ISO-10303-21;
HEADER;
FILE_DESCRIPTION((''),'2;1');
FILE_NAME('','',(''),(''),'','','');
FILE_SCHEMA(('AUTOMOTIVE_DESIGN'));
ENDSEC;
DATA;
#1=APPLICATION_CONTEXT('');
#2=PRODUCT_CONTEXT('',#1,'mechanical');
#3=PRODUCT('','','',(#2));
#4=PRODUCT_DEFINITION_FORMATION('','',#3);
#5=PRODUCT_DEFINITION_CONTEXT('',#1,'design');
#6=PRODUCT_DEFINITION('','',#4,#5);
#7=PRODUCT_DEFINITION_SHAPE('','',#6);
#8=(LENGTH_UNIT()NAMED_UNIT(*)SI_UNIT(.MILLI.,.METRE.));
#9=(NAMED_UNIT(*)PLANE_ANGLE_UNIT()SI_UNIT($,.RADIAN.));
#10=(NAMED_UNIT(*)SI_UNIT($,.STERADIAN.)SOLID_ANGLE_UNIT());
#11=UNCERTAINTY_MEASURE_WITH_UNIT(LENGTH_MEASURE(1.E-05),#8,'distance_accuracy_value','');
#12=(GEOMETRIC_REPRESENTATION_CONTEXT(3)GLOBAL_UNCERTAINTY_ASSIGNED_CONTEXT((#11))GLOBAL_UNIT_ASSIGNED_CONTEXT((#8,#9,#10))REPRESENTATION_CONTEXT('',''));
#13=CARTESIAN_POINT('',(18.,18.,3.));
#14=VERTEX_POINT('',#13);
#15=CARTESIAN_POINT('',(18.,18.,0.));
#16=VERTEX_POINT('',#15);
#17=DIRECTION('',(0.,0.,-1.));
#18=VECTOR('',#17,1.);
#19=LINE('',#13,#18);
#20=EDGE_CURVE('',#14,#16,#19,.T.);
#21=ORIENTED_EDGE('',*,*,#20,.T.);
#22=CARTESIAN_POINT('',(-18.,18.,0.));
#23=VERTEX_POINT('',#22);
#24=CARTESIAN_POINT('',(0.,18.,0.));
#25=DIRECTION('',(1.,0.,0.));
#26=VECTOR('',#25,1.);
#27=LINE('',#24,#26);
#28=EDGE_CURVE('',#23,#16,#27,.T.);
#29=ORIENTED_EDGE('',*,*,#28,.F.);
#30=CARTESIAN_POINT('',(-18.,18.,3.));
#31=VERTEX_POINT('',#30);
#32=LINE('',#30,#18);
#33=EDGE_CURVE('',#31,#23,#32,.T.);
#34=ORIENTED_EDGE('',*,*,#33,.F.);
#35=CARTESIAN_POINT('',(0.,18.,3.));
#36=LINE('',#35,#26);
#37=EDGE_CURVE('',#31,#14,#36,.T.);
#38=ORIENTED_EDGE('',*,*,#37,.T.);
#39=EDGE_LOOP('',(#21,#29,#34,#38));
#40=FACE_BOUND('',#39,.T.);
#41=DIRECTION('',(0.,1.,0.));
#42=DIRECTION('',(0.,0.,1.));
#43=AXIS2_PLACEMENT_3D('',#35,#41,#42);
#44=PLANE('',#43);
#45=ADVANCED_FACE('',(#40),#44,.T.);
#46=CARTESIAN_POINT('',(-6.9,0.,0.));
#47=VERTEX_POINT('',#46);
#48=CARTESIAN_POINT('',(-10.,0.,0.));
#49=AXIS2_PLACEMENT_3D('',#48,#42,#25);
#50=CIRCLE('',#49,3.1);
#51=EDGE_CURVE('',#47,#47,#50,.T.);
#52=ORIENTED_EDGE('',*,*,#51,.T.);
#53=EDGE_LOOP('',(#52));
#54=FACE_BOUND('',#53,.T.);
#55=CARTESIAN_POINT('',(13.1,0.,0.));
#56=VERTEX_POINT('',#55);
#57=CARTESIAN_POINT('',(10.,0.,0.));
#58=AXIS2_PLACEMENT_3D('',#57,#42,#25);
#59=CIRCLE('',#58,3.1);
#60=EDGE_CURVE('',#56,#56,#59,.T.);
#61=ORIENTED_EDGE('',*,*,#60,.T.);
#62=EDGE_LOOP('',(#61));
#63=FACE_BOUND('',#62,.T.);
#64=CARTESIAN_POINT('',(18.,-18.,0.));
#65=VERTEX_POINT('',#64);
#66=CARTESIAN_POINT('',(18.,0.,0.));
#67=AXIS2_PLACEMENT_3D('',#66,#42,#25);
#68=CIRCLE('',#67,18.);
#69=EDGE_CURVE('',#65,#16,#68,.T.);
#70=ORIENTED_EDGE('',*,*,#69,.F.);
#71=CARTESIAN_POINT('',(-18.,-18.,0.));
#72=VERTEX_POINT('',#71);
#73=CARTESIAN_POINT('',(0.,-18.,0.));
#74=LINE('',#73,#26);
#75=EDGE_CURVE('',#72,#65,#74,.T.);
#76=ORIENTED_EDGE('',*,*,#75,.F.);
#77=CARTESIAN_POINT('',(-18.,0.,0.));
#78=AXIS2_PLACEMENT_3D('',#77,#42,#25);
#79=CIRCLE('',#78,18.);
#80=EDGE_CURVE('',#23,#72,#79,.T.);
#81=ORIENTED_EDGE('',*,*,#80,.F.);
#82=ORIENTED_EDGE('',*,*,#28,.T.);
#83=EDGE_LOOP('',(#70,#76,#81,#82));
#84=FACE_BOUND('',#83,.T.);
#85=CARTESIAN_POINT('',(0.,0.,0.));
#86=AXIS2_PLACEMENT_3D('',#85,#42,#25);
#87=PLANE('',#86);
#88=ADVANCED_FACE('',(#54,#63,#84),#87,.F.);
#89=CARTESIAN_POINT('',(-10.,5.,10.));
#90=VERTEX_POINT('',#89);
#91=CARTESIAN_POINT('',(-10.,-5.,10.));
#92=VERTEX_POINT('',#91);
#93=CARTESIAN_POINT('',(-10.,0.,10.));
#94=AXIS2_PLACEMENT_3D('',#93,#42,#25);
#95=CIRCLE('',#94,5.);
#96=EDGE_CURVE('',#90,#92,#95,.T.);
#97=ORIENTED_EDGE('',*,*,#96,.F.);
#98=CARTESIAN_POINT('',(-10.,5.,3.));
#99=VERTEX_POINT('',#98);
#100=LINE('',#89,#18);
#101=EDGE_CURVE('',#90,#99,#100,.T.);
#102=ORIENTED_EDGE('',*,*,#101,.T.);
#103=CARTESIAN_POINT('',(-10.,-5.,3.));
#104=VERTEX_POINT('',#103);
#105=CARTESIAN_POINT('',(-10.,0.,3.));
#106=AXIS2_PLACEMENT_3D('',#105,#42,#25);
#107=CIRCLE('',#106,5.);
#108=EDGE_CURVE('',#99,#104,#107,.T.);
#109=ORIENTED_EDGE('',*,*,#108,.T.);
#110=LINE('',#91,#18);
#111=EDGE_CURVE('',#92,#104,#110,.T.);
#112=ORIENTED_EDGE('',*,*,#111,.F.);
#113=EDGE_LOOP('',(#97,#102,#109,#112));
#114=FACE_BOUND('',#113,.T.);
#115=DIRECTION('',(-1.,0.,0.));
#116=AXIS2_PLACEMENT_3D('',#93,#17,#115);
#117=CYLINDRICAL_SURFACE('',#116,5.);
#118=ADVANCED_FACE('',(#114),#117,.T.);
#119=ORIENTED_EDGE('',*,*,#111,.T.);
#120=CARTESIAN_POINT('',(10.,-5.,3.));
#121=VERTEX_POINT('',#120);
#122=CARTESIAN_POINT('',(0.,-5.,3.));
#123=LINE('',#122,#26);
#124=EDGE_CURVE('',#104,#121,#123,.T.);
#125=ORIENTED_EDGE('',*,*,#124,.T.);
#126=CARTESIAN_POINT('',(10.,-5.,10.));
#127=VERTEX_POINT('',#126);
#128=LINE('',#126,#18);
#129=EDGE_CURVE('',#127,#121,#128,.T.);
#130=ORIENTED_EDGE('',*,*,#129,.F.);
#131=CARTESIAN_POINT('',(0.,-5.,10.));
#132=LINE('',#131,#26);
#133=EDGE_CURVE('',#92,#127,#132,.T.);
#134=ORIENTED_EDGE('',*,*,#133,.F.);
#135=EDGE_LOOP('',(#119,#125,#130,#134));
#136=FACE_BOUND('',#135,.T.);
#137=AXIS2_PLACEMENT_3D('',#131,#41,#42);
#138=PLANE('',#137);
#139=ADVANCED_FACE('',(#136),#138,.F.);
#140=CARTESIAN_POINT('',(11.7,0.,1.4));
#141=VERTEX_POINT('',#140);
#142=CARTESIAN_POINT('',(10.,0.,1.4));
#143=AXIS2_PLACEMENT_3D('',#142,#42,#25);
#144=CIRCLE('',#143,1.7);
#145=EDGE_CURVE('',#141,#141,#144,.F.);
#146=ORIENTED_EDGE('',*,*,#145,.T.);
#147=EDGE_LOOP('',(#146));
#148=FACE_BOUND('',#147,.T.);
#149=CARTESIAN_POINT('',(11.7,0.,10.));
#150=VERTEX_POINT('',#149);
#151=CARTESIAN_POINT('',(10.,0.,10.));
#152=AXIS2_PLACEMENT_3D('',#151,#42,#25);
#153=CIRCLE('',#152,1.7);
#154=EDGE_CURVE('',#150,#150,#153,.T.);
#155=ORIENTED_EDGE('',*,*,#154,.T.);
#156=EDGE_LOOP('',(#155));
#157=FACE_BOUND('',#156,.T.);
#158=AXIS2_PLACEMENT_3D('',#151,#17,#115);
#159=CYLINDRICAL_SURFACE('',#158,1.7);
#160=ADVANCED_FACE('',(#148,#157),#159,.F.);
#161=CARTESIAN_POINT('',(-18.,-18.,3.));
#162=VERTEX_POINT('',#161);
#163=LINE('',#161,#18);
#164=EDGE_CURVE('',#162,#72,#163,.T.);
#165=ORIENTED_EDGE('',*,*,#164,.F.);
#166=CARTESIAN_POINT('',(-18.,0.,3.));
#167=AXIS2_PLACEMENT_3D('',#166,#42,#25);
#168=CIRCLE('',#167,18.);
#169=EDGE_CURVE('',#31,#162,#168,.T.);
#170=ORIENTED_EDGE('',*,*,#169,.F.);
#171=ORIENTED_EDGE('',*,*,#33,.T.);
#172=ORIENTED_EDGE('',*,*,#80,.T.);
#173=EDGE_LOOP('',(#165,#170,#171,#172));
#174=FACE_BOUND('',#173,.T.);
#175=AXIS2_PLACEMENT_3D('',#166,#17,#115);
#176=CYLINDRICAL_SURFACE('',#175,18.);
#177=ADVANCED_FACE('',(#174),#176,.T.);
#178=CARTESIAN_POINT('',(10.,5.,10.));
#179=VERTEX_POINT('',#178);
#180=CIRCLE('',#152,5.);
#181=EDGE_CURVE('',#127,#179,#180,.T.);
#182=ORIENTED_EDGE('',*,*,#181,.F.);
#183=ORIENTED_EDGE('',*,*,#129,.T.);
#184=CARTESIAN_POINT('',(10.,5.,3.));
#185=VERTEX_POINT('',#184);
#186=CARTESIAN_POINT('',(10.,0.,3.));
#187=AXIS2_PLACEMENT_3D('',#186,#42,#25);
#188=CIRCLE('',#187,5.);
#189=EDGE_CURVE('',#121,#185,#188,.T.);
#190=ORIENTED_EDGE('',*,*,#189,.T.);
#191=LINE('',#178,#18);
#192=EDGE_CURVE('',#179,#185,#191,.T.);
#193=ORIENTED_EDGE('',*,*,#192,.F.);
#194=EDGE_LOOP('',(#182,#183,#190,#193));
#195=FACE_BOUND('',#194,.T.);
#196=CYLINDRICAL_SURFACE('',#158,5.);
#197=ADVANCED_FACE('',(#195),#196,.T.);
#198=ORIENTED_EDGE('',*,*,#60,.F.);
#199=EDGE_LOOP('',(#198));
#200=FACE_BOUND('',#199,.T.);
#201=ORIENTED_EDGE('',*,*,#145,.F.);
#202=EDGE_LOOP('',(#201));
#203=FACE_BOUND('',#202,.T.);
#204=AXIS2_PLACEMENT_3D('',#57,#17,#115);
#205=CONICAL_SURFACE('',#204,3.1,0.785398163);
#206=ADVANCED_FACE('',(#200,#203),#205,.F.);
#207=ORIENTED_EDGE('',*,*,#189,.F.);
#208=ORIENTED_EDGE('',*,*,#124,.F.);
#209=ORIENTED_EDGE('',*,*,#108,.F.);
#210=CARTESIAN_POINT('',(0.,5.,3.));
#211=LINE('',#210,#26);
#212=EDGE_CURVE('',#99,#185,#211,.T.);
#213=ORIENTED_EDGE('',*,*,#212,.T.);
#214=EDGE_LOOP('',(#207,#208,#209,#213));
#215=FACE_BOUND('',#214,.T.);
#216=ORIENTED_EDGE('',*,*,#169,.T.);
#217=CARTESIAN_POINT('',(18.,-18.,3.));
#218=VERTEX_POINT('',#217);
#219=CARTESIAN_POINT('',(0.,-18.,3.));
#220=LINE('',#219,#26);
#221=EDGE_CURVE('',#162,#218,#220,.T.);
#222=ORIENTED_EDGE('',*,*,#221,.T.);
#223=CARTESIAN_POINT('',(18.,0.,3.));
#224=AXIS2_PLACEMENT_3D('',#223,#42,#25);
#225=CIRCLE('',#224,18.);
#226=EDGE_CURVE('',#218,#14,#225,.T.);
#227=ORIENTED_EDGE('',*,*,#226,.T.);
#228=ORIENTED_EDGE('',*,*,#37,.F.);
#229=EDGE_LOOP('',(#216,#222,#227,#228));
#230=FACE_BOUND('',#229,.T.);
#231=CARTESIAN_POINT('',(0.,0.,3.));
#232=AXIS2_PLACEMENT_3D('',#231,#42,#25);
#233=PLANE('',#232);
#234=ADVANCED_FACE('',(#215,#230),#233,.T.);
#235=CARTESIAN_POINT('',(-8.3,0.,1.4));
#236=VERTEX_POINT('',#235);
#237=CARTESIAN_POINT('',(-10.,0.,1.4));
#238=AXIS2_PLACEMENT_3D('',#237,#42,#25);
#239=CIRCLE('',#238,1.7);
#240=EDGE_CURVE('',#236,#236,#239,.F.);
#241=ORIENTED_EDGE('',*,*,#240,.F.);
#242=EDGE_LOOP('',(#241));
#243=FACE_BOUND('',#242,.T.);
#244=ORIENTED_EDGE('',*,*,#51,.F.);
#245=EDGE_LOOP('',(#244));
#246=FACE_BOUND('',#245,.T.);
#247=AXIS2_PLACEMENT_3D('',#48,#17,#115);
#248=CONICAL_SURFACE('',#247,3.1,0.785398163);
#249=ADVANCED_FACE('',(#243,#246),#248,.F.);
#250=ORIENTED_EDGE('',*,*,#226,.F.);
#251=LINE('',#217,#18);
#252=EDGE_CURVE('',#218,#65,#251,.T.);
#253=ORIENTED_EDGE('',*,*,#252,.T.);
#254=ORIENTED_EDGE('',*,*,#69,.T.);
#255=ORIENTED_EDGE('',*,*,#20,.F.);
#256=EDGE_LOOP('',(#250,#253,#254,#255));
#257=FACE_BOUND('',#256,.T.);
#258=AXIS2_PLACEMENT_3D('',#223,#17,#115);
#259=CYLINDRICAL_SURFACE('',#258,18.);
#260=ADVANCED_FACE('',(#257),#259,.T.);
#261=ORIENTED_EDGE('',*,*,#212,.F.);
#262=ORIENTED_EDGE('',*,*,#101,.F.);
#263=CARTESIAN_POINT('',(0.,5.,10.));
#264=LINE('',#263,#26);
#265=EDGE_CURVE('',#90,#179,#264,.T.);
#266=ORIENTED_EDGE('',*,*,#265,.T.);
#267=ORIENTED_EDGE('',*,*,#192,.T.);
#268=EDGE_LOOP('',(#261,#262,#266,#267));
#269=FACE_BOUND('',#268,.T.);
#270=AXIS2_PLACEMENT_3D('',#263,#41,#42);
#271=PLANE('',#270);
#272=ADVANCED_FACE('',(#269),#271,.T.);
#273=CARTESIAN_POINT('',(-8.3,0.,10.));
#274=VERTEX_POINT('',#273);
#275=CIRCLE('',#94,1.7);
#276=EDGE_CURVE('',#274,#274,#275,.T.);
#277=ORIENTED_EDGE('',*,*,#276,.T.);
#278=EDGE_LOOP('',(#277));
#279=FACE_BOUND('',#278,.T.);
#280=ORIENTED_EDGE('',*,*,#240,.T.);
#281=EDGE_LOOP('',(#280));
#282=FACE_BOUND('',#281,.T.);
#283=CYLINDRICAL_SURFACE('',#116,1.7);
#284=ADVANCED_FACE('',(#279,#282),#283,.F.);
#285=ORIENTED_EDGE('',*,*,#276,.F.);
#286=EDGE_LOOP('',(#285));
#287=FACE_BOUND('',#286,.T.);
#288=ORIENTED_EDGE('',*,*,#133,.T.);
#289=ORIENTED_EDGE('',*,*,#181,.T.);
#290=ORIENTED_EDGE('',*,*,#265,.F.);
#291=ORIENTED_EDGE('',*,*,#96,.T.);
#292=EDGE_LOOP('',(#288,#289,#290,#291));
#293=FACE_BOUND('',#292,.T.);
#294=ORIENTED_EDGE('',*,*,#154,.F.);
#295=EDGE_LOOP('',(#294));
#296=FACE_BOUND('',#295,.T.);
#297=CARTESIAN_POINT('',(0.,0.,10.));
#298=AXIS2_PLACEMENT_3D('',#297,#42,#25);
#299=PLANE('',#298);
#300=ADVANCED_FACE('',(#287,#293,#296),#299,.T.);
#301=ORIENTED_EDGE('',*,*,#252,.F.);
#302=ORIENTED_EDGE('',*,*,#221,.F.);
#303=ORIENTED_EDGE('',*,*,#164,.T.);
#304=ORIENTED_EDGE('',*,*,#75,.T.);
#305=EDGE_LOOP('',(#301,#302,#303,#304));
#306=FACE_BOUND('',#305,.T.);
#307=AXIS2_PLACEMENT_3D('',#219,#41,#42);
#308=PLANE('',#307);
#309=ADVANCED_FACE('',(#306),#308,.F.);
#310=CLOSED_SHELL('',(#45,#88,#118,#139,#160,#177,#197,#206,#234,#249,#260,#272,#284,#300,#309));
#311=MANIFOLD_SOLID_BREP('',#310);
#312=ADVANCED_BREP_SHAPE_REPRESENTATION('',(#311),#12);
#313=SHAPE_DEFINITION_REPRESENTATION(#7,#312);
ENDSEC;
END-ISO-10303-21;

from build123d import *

# Parameters (mm, degrees)
EXTRUDE_1_DEPTH = 3
SKETCH_1_3_R    = 1.7
EXTRUDE_2_DEPTH = 10
CHAMFER_1_SIZE  = 1.4


with BuildPart() as part:
    # 草图1 → 凸台-拉伸1 (new body)
    with BuildSketch(Plane.XY):
        with BuildLine():
            Line((18, 18), (-18, 18))
            ThreePointArc((-18, 18), (-36, 0), (-18, -18))
            Line((-18, -18), (18, -18))
            ThreePointArc((18, -18), (36, 0), (18, 18))
        make_face()
        with BuildLine():
            ThreePointArc((-10, -5), (-15, 0), (-10, 5))
            Line((-10, 5), (10, 5))
            ThreePointArc((10, 5), (15, 0), (10, -5))
            Line((10, -5), (-10, -5))
        make_face(mode=Mode.SUBTRACT)
    extrude(amount=EXTRUDE_1_DEPTH)

    # 草图1<3> → 凸台-拉伸2 (add)
    with BuildSketch(Plane.XY):
        with BuildLine():
            Line((10, 5), (-10, 5))
            ThreePointArc((-10, 5), (-15, 0), (-10, -5))
            Line((-10, -5), (10, -5))
            ThreePointArc((10, -5), (15, 0), (10, 5))
        make_face()
        with Locations((-10, 0)):
            Circle(SKETCH_1_3_R, mode=Mode.SUBTRACT)
        with Locations((10, 0)):
            Circle(SKETCH_1_3_R, mode=Mode.SUBTRACT)
    extrude(amount=EXTRUDE_2_DEPTH)

    # 倒角1
    chamfer_1_edges = [part.edges().sort_by_distance(p)[0] for p in [
        (8.3, 0, 0),
        (-11.7, 0, 0),
    ]]
    chamfer(chamfer_1_edges, length=CHAMFER_1_SIZE)


solid = part.part
